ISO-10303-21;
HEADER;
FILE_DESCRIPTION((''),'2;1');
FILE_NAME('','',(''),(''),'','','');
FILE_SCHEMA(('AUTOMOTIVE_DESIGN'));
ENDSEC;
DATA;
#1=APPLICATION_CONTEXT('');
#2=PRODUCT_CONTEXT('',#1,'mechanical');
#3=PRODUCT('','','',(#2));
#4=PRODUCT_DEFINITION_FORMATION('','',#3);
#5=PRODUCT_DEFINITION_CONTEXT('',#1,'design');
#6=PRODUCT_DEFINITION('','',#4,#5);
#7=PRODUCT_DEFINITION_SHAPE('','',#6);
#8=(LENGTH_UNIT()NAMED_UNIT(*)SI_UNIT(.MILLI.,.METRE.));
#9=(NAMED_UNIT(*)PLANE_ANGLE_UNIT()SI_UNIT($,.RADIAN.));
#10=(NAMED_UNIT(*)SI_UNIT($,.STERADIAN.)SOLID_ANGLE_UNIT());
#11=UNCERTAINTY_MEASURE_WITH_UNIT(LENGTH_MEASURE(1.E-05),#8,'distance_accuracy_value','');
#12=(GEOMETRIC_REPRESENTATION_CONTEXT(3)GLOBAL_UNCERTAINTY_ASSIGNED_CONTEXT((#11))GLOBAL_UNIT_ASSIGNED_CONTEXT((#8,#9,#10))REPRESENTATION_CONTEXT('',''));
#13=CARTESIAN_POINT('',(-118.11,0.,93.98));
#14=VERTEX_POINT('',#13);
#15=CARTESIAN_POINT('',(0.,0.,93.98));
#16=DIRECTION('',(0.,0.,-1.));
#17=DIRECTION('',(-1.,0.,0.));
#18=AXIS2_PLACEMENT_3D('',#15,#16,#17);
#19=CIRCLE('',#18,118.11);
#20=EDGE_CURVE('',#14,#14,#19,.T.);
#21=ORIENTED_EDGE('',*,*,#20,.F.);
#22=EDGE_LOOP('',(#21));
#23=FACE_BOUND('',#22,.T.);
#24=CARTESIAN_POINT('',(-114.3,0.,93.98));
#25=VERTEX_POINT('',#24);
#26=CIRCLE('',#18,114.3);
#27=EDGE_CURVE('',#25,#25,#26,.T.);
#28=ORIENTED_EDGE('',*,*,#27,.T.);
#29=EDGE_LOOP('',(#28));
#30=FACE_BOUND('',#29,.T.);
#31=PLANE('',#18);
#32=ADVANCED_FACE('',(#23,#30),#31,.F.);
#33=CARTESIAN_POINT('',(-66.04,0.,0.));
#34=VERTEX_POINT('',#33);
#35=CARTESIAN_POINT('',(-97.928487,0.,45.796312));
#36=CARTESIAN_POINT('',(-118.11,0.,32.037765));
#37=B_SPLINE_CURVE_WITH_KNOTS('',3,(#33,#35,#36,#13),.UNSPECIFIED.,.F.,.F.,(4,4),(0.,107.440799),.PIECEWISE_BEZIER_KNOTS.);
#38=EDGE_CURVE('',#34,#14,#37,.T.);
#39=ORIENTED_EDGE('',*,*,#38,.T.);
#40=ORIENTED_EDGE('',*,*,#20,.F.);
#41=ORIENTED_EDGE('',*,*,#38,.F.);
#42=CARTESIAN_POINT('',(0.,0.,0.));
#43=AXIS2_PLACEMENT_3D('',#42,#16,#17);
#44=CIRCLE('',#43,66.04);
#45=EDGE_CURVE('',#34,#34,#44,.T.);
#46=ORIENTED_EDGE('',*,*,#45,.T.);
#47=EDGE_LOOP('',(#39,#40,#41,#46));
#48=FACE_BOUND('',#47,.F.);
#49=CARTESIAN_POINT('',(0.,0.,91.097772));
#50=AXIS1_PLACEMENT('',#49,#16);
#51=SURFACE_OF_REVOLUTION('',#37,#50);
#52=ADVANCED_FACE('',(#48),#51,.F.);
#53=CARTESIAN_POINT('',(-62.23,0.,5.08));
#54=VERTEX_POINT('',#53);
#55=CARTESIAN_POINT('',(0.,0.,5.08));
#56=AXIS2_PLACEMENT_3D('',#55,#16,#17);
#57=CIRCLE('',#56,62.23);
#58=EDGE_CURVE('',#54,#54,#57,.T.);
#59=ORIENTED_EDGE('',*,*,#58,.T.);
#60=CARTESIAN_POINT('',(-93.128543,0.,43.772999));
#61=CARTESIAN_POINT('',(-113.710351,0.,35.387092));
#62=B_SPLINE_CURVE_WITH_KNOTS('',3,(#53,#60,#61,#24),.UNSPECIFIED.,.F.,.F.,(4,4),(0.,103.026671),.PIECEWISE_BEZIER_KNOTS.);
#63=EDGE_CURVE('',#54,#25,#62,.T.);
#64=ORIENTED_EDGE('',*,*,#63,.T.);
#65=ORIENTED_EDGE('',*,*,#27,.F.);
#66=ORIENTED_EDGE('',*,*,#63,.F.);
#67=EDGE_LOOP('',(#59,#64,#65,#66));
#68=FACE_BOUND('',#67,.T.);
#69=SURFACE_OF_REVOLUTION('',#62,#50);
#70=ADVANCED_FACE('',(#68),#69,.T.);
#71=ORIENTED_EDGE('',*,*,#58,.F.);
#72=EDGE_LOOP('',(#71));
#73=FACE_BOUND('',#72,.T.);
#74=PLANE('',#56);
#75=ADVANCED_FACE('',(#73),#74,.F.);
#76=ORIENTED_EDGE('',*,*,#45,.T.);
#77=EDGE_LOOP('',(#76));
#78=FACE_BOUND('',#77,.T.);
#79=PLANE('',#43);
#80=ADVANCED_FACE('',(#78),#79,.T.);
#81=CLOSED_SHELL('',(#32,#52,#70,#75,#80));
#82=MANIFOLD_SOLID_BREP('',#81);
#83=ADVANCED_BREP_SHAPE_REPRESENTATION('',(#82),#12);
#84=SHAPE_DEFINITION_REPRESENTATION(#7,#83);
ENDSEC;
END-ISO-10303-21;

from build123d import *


with BuildPart() as f1:
    # F0 (on Front) → F1 (revolve)
    with BuildSketch(Plane.XZ):
        with BuildLine():
            Line((-66.04, 0), (0, 0))
            Line((0, 0), (0, 5.08))
            Line((0, 5.08), (-62.23, 5.08))
            add(Edge.make_bspline(
                [(-62.23, 5.08), (-93.128543, 43.772999), (-113.710351, 35.387092), (-114.3, 93.98)],
                knots=[0, 0, 0, 0, 103.026671, 103.026671, 103.026671, 103.026671], degree=3))
            Line((-114.3, 93.98), (-118.11, 93.98))
            add(Edge.make_bspline(
                [(-66.04, 0), (-97.928487, 45.796312), (-118.11, 32.037765), (-118.11, 93.98)],
                knots=[0, 0, 0, 0, 107.440799, 107.440799, 107.440799, 107.440799], degree=3))
        make_face()
    revolve(axis=Axis((0, 0, 91.097772), (0, 0, -1)))


solid = f1.part
